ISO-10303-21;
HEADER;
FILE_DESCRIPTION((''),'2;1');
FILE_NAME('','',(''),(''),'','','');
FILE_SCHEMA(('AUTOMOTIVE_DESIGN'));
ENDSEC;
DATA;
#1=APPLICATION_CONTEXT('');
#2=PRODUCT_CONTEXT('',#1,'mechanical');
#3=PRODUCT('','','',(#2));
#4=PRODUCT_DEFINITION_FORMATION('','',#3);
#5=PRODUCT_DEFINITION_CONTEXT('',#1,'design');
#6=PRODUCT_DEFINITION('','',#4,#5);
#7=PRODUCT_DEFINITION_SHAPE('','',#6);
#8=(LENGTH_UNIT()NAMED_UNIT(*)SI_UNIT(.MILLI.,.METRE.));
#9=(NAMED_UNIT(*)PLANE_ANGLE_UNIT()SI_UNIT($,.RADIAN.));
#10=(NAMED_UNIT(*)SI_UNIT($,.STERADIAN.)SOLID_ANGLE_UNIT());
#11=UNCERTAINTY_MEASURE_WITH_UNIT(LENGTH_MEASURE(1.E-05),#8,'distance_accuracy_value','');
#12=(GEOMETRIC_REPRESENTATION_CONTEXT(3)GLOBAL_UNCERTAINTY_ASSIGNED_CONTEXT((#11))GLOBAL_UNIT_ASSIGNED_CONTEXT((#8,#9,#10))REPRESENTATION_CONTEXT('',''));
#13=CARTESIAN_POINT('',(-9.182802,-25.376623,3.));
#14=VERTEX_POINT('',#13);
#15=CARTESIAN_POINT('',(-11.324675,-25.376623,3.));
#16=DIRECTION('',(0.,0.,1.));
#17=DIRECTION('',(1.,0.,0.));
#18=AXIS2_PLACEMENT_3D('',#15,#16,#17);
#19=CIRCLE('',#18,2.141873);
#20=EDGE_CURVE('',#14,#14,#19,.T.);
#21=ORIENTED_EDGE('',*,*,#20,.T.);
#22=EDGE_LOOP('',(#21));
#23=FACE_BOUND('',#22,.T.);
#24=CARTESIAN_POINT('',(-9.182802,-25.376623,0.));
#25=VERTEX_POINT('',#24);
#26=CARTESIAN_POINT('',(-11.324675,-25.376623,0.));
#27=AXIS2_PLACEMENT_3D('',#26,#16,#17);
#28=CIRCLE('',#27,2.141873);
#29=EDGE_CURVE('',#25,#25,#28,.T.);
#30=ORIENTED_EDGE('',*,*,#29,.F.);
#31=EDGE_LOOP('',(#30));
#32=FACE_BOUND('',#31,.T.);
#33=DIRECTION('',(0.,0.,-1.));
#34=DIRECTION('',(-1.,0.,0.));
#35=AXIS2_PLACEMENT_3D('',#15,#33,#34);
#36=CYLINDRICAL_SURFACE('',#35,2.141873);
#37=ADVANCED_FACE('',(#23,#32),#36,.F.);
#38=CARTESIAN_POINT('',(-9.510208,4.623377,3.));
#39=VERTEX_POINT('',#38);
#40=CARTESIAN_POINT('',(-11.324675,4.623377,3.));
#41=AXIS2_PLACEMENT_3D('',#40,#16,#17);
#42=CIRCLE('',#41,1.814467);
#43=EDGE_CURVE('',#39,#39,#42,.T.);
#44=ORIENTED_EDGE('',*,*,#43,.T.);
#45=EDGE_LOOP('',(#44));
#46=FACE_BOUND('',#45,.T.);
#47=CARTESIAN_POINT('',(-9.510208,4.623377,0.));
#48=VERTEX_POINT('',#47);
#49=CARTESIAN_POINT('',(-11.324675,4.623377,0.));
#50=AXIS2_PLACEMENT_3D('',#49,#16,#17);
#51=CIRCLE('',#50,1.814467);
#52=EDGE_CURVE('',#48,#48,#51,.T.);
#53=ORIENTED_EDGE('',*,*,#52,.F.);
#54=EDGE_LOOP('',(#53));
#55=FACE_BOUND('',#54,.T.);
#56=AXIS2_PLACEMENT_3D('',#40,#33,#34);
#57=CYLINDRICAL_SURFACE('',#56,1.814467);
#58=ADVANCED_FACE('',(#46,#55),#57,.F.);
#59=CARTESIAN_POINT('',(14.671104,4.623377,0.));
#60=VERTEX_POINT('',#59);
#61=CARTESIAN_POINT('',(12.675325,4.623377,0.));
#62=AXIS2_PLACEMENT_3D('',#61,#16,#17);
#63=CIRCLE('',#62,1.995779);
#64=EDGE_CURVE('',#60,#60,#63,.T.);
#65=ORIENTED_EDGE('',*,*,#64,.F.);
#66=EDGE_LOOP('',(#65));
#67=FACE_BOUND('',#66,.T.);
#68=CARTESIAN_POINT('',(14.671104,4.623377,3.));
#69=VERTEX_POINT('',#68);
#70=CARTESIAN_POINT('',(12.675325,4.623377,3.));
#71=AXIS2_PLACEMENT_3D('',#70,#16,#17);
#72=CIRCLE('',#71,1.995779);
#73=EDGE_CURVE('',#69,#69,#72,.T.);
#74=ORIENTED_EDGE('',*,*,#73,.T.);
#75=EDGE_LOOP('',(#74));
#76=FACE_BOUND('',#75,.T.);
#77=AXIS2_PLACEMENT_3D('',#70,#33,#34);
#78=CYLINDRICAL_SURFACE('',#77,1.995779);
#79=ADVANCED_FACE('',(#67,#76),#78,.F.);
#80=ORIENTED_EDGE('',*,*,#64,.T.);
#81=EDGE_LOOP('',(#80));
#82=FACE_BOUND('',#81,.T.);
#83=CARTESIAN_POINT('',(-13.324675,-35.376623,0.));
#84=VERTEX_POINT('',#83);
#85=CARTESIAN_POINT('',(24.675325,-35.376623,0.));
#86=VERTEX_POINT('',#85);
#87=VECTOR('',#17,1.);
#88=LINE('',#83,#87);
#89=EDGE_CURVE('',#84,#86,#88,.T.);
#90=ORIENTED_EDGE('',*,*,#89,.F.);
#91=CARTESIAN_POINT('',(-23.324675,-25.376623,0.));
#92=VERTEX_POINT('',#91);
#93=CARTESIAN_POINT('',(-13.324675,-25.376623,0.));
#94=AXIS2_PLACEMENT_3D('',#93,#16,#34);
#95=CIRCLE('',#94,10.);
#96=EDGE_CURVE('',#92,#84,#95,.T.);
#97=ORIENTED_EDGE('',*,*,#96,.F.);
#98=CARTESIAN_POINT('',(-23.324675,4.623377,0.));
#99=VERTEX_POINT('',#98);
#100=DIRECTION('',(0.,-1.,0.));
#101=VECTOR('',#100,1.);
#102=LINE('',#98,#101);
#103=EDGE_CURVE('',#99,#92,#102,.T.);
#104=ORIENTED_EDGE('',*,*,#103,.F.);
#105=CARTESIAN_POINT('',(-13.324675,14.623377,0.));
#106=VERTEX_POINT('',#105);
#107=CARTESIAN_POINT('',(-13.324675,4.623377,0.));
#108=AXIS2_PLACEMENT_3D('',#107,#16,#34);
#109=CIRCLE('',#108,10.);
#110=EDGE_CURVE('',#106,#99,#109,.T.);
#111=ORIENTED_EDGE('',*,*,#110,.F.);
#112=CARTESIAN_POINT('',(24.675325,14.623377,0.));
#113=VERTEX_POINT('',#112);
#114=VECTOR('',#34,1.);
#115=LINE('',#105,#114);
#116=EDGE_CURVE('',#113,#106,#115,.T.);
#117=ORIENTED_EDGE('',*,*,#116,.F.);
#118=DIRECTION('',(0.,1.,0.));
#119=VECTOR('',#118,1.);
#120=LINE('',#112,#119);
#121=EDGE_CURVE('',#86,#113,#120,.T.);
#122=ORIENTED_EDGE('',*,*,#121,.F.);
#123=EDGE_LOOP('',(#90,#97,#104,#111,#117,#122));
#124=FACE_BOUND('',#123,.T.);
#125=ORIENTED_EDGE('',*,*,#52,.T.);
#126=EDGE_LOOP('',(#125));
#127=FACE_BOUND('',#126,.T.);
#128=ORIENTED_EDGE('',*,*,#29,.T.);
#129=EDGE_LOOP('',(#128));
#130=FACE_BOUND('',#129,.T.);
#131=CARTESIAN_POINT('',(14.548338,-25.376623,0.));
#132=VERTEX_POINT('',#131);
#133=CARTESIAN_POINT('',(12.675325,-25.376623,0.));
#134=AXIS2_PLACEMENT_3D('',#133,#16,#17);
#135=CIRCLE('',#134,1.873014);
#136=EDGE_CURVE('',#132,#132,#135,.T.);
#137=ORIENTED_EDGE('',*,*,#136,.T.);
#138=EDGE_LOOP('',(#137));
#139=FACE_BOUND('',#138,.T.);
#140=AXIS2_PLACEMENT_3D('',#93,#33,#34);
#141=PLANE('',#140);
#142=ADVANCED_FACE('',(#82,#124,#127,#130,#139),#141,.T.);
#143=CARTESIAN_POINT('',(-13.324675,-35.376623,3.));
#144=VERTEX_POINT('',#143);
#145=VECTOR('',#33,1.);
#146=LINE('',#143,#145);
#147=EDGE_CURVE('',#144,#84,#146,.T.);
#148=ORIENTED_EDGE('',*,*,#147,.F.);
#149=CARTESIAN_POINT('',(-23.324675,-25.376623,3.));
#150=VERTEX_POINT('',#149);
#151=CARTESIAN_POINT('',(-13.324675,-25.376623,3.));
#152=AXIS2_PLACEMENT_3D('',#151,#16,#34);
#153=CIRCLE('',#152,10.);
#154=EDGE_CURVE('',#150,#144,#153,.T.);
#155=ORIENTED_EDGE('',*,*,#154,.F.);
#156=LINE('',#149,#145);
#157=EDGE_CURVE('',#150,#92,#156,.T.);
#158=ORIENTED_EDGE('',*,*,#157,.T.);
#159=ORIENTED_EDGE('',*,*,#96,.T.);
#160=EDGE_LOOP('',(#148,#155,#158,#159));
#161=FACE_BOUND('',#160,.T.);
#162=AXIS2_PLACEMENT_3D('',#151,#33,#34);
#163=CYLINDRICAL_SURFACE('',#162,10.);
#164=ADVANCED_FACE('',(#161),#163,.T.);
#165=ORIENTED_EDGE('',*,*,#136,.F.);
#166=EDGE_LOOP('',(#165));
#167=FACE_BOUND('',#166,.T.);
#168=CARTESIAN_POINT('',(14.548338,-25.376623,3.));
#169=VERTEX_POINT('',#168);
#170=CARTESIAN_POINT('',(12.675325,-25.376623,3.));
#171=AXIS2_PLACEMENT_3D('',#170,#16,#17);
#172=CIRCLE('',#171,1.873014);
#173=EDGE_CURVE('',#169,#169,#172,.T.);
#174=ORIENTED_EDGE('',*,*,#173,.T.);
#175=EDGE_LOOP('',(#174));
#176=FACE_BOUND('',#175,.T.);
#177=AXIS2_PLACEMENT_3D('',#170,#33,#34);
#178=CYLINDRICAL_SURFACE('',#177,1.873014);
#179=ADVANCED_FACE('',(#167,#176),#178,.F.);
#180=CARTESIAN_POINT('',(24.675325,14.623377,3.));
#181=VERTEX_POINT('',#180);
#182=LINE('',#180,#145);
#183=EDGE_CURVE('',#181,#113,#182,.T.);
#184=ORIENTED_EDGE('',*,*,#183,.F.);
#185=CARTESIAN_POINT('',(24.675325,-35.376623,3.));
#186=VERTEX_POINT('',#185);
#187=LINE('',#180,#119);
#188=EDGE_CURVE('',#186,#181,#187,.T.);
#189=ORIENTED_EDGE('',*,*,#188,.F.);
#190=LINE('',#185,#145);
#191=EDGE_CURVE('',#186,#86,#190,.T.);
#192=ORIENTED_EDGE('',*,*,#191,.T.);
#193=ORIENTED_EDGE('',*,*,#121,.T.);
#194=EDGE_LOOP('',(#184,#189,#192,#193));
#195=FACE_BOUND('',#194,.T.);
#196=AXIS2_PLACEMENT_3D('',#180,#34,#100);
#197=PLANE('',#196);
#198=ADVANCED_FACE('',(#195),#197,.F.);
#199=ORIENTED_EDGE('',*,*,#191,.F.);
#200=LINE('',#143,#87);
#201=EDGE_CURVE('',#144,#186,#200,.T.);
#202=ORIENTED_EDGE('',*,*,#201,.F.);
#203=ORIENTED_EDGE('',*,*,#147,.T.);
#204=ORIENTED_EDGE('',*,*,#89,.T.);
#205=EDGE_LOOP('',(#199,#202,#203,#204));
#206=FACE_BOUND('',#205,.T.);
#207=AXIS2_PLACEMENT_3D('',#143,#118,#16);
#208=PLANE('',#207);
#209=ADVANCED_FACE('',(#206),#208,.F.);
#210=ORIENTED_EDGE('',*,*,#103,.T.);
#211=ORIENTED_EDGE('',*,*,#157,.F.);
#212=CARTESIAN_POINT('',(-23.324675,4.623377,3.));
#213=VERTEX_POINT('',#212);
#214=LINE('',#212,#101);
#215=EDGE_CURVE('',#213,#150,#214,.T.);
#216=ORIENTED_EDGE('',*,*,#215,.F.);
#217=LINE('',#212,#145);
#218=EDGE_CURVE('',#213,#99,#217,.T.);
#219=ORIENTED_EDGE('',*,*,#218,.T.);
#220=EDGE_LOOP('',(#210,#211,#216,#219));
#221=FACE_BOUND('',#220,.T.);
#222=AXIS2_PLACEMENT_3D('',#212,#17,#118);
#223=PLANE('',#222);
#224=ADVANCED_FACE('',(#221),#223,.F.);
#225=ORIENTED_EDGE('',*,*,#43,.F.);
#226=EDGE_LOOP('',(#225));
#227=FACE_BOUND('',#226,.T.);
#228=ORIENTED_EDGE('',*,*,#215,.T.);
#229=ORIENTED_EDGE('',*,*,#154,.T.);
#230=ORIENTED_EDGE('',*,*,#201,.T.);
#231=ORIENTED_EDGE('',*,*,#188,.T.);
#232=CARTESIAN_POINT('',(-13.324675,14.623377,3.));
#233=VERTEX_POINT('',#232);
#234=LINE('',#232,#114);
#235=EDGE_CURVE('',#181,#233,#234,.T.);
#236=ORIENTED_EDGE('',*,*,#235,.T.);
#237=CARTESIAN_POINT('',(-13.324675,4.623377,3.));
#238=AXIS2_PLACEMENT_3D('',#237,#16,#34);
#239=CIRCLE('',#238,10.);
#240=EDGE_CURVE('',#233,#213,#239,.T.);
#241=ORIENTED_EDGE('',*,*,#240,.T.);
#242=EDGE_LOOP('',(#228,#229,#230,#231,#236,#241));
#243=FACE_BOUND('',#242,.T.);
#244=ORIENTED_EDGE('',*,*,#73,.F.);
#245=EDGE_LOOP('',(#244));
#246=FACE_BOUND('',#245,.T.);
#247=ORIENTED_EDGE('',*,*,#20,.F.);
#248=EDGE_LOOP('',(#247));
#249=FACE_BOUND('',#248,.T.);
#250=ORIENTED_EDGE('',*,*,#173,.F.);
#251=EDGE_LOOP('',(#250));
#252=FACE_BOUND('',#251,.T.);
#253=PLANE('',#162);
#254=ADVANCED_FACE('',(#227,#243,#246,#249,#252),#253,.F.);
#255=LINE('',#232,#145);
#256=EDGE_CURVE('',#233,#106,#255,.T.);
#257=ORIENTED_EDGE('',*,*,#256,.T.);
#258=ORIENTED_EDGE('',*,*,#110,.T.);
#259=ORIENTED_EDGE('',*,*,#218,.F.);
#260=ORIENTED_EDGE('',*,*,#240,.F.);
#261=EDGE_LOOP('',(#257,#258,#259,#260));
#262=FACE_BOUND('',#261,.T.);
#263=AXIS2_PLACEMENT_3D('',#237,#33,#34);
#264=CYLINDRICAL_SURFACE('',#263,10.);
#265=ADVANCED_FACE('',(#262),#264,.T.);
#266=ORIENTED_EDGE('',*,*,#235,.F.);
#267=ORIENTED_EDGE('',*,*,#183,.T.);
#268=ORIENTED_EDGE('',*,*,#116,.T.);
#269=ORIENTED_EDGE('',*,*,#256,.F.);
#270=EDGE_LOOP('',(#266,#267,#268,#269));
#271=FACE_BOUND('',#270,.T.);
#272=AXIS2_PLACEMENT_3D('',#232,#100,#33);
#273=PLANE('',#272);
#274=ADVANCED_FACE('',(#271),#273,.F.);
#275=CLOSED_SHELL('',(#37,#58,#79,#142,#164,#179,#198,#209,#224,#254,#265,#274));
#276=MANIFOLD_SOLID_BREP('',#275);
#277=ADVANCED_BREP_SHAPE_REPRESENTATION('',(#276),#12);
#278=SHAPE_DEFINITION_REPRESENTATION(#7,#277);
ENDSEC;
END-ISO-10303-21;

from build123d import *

# Parameters (mm, degrees)
SKETCH1_R           = 1.814467449
SKETCH1_R_2         = 1.995778983
SKETCH1_R_3         = 2.141873052
SKETCH1_R_4         = 1.87301365
BOSS_EXTRUDE1_DEPTH = 3


with BuildPart() as part:
    # Sketch1 → Boss-Extrude1 (new body)
    with BuildSketch(Plane.XY):
        with BuildLine():
            Line((-13.324675325, 14.623376623), (24.675324675, 14.623376623))
            Line((24.675324675, 14.623376623), (24.675324675, -35.376623377))
            Line((24.675324675, -35.376623377), (-13.324675325, -35.376623377))
            ThreePointArc((-13.324675325, -35.376623377), (-20.395743137, -32.447691188), (-23.324675325, -25.376623377))
            Line((-23.324675325, -25.376623377), (-23.324675325, 4.623376623))
            ThreePointArc((-23.324675325, 4.623376623), (-20.395743137, 11.694444435), (-13.324675325, 14.623376623))
        make_face()
        with Locations((-11.324675325, 4.623376623)):
            Circle(SKETCH1_R, mode=Mode.SUBTRACT)
        with Locations((12.675324675, 4.623376623)):
            Circle(SKETCH1_R_2, mode=Mode.SUBTRACT)
        with Locations((-11.324675325, -25.376623377)):
            Circle(SKETCH1_R_3, mode=Mode.SUBTRACT)
        with Locations((12.675324675, -25.376623377)):
            Circle(SKETCH1_R_4, mode=Mode.SUBTRACT)
    extrude(amount=BOSS_EXTRUDE1_DEPTH)


solid = part.part
